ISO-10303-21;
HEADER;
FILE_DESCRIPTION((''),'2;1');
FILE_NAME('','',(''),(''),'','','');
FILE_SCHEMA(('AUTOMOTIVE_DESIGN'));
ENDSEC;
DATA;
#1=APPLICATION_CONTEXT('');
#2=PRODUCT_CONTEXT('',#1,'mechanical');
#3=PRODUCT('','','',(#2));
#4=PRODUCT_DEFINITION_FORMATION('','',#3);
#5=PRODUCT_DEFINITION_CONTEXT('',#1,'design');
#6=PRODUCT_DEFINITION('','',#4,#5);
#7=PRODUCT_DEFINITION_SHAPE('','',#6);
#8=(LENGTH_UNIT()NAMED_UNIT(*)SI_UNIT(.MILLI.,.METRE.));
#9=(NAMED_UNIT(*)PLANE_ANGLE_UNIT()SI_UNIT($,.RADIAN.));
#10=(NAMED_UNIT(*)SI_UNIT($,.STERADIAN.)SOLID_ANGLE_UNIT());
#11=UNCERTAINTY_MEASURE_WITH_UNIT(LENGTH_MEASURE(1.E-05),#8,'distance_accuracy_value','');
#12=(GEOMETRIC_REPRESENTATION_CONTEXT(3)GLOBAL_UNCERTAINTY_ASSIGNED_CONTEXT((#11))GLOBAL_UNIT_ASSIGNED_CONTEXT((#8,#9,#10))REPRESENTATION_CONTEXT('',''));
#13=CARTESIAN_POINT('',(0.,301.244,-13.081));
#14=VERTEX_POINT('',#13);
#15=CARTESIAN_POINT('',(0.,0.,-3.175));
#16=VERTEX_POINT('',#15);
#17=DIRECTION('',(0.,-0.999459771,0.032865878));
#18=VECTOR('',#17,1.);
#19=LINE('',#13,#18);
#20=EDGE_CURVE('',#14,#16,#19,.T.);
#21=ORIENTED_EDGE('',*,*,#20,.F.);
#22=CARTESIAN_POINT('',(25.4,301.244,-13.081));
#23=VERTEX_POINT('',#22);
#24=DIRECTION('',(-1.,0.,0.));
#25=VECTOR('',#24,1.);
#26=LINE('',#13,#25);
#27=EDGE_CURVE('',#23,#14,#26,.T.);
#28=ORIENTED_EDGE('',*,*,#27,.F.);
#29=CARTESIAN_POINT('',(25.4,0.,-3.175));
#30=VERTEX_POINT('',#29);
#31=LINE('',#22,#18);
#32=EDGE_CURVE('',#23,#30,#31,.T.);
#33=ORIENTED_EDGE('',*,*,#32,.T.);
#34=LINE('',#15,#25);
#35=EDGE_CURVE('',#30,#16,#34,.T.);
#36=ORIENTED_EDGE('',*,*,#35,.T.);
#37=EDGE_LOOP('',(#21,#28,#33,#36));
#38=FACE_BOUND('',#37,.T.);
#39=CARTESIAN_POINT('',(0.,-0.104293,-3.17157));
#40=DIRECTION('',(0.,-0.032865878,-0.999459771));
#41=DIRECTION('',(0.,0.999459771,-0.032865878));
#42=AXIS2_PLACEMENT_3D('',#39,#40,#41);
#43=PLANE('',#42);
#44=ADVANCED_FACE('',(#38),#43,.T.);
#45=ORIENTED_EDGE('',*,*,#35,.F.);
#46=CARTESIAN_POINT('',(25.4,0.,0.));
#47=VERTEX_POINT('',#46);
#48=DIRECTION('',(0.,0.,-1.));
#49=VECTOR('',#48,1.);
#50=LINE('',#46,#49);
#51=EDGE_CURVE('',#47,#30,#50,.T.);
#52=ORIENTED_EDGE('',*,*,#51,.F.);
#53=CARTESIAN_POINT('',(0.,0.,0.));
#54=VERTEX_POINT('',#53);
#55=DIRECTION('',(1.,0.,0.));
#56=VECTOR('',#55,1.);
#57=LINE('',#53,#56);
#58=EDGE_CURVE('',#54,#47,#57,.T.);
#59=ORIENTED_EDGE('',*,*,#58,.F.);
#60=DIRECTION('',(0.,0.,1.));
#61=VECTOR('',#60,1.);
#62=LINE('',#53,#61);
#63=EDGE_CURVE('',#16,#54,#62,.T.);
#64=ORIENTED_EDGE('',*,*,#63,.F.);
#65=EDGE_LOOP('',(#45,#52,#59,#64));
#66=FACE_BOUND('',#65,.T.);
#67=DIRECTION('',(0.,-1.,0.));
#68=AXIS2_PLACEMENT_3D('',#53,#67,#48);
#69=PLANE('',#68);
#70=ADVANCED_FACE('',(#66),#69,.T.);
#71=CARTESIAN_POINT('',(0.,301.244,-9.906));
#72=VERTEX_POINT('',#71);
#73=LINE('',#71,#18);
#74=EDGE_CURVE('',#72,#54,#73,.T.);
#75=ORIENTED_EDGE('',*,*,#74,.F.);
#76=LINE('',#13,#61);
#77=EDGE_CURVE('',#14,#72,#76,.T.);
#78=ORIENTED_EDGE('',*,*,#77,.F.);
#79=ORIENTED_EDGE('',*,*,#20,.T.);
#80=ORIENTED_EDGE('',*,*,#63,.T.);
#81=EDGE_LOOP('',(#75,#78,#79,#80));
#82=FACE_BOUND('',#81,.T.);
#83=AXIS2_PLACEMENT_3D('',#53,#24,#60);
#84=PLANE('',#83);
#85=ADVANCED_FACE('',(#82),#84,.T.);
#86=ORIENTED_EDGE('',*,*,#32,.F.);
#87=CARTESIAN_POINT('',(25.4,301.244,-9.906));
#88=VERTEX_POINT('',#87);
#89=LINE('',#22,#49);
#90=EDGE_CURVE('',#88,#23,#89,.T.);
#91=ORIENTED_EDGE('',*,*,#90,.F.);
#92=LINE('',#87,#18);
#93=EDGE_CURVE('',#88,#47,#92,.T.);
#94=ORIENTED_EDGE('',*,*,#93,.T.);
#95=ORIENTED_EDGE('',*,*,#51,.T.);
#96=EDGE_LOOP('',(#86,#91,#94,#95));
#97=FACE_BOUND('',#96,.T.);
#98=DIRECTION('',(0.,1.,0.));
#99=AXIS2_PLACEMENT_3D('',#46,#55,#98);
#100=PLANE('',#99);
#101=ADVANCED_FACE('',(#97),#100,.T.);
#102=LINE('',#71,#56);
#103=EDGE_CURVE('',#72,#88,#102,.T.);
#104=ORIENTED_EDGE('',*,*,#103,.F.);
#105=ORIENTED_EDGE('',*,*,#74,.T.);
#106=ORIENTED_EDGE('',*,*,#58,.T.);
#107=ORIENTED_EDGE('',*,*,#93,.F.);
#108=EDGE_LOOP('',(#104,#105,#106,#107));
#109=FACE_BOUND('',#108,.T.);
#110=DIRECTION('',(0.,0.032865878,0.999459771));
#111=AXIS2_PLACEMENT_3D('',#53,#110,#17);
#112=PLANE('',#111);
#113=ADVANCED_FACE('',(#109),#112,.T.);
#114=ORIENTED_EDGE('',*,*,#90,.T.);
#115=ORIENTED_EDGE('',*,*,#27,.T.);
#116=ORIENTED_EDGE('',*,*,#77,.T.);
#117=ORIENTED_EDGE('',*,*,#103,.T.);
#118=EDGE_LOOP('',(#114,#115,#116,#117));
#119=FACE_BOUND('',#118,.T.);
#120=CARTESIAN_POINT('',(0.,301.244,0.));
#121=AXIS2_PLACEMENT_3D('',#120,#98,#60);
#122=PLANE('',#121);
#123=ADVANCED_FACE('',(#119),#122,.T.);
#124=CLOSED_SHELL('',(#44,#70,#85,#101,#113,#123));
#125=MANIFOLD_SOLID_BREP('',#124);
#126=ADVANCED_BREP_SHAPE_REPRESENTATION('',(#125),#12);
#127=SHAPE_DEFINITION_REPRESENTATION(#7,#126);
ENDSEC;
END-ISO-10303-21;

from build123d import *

# Parameters (mm, degrees)
SKETCH2_W = 25.4
SKETCH2_H = 3.175
SKETCH1_W = 25.4
SKETCH1_H = 3.175


with BuildPart() as part:
    # Sketch2 → Loft1 section 0
    with BuildSketch(Plane(origin=(0, 301.244, 0), x_dir=(1, 0, 0), z_dir=(0, 1, 0))):
        with Locations((12.7, 11.4935)):
            Rectangle(SKETCH2_W, SKETCH2_H)
    # Sketch1 → Loft1 section 1
    with BuildSketch(Plane(origin=(0, 0, 0), x_dir=(1, 0, 0), z_dir=(0, 1, 0))):
        with Locations((12.7, 1.5875)):
            Rectangle(SKETCH1_W, SKETCH1_H)
    loft()


solid = part.part
